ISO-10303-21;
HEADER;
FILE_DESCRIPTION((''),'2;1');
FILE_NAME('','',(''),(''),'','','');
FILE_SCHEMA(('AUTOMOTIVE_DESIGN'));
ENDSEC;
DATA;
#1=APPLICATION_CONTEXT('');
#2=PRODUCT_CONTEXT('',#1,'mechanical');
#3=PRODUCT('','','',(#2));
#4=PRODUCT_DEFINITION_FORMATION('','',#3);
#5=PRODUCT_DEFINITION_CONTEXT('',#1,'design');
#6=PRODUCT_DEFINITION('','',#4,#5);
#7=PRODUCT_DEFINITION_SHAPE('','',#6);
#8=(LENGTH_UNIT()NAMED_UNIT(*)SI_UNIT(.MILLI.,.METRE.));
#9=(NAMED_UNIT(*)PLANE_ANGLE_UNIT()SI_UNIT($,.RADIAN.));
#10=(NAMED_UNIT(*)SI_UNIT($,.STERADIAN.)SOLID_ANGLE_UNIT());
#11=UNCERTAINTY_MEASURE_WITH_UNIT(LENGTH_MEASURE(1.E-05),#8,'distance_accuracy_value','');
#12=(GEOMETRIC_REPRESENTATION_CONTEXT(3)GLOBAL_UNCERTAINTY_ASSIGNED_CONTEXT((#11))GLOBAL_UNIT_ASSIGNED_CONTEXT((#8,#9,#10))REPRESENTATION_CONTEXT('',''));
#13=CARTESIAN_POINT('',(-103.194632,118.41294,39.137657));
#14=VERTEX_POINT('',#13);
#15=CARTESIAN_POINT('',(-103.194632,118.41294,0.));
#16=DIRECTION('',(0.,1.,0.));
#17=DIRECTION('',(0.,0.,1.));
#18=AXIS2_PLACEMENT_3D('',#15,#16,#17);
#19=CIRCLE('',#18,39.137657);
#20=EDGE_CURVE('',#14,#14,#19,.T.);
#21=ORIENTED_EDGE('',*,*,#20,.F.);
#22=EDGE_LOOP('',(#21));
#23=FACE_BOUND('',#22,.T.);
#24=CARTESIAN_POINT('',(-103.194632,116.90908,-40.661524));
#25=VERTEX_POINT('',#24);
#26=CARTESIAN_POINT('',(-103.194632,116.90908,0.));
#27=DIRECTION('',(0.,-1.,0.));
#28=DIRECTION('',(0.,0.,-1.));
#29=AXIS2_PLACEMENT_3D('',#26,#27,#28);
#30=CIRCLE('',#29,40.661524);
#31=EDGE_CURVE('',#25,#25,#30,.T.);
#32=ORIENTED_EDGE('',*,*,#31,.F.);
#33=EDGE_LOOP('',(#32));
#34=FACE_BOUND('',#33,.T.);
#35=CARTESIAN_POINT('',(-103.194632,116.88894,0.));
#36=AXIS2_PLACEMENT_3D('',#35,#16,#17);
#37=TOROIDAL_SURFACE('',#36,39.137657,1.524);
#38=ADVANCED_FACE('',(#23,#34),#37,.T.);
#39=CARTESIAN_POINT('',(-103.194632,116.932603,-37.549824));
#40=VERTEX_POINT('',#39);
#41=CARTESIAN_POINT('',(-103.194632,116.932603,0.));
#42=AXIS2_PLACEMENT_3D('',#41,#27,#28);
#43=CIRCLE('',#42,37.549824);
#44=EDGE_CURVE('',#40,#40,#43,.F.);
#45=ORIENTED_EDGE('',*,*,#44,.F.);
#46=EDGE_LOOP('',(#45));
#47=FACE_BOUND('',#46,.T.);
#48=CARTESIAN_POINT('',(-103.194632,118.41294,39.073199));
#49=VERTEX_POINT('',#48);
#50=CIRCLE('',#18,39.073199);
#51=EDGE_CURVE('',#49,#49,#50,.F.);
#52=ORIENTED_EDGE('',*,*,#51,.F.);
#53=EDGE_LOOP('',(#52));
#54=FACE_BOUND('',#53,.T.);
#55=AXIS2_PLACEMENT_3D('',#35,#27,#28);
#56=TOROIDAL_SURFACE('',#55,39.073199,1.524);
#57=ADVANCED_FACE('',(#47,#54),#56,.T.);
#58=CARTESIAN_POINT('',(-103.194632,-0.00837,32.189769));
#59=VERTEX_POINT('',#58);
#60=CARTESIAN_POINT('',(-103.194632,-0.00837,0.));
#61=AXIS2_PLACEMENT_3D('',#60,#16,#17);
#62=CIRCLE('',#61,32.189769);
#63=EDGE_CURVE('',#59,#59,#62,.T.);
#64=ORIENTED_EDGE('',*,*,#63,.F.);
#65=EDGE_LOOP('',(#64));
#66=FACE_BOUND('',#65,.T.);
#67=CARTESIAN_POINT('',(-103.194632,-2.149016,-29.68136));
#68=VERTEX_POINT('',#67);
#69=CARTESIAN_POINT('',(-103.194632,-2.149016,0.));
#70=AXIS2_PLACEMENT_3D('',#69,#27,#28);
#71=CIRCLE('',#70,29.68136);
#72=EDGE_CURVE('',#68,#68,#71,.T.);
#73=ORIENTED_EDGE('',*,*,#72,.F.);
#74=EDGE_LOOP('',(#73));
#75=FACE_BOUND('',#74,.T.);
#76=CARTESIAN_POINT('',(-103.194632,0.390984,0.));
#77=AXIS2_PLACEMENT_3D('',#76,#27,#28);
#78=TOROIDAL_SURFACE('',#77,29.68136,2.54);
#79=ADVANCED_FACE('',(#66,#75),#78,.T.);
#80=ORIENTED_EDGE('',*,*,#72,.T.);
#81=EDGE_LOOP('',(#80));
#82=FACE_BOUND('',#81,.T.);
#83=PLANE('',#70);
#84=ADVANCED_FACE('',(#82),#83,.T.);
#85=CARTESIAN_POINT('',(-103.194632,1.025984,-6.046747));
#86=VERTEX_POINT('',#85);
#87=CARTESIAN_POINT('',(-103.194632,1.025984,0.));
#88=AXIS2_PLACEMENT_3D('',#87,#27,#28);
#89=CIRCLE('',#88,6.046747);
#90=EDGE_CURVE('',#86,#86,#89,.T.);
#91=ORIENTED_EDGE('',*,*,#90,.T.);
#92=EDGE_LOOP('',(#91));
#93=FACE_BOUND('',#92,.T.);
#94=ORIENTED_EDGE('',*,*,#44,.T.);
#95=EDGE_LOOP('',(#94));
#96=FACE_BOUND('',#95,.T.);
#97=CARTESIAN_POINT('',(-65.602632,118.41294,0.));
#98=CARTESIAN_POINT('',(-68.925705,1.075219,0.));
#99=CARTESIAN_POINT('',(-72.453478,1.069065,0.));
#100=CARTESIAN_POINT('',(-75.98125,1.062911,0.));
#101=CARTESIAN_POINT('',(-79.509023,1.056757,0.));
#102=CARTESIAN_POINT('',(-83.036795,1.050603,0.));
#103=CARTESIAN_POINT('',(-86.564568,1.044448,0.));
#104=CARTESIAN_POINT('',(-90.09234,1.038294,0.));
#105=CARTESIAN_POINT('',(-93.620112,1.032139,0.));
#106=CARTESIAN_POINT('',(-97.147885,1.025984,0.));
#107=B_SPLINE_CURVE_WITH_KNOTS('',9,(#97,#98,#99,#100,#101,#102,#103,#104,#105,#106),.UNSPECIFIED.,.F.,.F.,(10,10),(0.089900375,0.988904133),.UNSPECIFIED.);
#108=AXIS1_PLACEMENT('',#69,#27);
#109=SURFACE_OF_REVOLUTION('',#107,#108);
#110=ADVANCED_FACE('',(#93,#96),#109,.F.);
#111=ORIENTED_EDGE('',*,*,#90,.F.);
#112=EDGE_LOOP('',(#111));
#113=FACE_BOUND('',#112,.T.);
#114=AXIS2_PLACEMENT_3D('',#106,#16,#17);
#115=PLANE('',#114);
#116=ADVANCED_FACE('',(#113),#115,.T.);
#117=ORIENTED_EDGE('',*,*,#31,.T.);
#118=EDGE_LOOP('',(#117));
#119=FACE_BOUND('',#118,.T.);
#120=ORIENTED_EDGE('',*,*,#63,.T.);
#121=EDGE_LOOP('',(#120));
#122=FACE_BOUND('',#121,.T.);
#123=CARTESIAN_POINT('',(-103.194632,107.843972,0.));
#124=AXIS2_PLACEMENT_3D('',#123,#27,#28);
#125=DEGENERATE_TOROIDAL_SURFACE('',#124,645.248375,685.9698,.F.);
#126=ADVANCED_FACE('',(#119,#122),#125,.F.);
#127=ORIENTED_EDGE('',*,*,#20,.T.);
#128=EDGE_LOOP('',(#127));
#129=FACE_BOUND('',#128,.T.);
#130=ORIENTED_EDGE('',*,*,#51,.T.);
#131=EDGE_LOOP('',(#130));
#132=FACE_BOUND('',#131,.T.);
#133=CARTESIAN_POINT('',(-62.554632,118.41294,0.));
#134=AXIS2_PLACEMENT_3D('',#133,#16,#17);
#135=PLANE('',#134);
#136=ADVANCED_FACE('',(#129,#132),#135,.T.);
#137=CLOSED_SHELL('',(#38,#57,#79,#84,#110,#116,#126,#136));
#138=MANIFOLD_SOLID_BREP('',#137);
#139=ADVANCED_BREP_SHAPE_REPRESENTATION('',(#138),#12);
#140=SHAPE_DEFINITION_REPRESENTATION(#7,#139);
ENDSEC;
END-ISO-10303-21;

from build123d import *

# Parameters (mm, degrees)
FILLET2_R = 2.54
FILLET8_R = 1.524


with BuildPart() as part:
    # Sketch1 → Revolve2 (revolve)
    with BuildSketch(Plane.XY):
        with BuildLine():
            Line((-103.194631519, -2.149015704), (-71.3491365, -2.149015704))
            ThreePointArc((-71.3491365, -2.149015704), (-64.291015821, 57.937862835), (-62.554631519, 118.412940425))
            Line((-62.554631519, 118.412940425), (-65.602631519, 118.412940425))
            add(Edge.make_bspline(
                [(-97.147884871, 1.025984296), (-93.620112449, 1.032138915), (-90.092340027, 1.038293534), (-86.564567606, 1.044448135), (-83.036795184, 1.050602687), (-79.509022762, 1.056757138), (-75.981250339, 1.062911415), (-72.453477917, 1.069065413), (-68.925705493, 1.075218987), (-65.602631519, 118.412940425)],
                knots=[0.089900375, 0.089900375, 0.089900375, 0.089900375, 0.089900375, 0.089900375, 0.089900375, 0.089900375, 0.089900375, 0.089900375, 0.988904133, 0.988904133, 0.988904133, 0.988904133, 0.988904133, 0.988904133, 0.988904133, 0.988904133, 0.988904133, 0.988904133], degree=9))
            Line((-97.147884871, 1.025984296), (-103.194631519, 1.025984296))
            Line((-103.194631519, 1.025984296), (-103.194631519, -2.149015704))
        make_face()
    revolve(axis=Axis((-103.194631519, -2.149015704, 0), (0, 1, 0)))

    # Fillet2
    fillet2_edges = [part.edges().sort_by_distance(p)[0] for p in [
        (-135.040126539, -2.149015704, 0),
    ]]
    fillet(fillet2_edges, radius=FILLET2_R)

    # Fillet8
    fillet8_edges = [part.edges().sort_by_distance(p)[0] for p in [
        (-140.786631519, 118.412940425, 0),
        (-143.834631519, 118.412940425, 0),
    ]]
    fillet(fillet8_edges, radius=FILLET8_R)


solid = part.part
